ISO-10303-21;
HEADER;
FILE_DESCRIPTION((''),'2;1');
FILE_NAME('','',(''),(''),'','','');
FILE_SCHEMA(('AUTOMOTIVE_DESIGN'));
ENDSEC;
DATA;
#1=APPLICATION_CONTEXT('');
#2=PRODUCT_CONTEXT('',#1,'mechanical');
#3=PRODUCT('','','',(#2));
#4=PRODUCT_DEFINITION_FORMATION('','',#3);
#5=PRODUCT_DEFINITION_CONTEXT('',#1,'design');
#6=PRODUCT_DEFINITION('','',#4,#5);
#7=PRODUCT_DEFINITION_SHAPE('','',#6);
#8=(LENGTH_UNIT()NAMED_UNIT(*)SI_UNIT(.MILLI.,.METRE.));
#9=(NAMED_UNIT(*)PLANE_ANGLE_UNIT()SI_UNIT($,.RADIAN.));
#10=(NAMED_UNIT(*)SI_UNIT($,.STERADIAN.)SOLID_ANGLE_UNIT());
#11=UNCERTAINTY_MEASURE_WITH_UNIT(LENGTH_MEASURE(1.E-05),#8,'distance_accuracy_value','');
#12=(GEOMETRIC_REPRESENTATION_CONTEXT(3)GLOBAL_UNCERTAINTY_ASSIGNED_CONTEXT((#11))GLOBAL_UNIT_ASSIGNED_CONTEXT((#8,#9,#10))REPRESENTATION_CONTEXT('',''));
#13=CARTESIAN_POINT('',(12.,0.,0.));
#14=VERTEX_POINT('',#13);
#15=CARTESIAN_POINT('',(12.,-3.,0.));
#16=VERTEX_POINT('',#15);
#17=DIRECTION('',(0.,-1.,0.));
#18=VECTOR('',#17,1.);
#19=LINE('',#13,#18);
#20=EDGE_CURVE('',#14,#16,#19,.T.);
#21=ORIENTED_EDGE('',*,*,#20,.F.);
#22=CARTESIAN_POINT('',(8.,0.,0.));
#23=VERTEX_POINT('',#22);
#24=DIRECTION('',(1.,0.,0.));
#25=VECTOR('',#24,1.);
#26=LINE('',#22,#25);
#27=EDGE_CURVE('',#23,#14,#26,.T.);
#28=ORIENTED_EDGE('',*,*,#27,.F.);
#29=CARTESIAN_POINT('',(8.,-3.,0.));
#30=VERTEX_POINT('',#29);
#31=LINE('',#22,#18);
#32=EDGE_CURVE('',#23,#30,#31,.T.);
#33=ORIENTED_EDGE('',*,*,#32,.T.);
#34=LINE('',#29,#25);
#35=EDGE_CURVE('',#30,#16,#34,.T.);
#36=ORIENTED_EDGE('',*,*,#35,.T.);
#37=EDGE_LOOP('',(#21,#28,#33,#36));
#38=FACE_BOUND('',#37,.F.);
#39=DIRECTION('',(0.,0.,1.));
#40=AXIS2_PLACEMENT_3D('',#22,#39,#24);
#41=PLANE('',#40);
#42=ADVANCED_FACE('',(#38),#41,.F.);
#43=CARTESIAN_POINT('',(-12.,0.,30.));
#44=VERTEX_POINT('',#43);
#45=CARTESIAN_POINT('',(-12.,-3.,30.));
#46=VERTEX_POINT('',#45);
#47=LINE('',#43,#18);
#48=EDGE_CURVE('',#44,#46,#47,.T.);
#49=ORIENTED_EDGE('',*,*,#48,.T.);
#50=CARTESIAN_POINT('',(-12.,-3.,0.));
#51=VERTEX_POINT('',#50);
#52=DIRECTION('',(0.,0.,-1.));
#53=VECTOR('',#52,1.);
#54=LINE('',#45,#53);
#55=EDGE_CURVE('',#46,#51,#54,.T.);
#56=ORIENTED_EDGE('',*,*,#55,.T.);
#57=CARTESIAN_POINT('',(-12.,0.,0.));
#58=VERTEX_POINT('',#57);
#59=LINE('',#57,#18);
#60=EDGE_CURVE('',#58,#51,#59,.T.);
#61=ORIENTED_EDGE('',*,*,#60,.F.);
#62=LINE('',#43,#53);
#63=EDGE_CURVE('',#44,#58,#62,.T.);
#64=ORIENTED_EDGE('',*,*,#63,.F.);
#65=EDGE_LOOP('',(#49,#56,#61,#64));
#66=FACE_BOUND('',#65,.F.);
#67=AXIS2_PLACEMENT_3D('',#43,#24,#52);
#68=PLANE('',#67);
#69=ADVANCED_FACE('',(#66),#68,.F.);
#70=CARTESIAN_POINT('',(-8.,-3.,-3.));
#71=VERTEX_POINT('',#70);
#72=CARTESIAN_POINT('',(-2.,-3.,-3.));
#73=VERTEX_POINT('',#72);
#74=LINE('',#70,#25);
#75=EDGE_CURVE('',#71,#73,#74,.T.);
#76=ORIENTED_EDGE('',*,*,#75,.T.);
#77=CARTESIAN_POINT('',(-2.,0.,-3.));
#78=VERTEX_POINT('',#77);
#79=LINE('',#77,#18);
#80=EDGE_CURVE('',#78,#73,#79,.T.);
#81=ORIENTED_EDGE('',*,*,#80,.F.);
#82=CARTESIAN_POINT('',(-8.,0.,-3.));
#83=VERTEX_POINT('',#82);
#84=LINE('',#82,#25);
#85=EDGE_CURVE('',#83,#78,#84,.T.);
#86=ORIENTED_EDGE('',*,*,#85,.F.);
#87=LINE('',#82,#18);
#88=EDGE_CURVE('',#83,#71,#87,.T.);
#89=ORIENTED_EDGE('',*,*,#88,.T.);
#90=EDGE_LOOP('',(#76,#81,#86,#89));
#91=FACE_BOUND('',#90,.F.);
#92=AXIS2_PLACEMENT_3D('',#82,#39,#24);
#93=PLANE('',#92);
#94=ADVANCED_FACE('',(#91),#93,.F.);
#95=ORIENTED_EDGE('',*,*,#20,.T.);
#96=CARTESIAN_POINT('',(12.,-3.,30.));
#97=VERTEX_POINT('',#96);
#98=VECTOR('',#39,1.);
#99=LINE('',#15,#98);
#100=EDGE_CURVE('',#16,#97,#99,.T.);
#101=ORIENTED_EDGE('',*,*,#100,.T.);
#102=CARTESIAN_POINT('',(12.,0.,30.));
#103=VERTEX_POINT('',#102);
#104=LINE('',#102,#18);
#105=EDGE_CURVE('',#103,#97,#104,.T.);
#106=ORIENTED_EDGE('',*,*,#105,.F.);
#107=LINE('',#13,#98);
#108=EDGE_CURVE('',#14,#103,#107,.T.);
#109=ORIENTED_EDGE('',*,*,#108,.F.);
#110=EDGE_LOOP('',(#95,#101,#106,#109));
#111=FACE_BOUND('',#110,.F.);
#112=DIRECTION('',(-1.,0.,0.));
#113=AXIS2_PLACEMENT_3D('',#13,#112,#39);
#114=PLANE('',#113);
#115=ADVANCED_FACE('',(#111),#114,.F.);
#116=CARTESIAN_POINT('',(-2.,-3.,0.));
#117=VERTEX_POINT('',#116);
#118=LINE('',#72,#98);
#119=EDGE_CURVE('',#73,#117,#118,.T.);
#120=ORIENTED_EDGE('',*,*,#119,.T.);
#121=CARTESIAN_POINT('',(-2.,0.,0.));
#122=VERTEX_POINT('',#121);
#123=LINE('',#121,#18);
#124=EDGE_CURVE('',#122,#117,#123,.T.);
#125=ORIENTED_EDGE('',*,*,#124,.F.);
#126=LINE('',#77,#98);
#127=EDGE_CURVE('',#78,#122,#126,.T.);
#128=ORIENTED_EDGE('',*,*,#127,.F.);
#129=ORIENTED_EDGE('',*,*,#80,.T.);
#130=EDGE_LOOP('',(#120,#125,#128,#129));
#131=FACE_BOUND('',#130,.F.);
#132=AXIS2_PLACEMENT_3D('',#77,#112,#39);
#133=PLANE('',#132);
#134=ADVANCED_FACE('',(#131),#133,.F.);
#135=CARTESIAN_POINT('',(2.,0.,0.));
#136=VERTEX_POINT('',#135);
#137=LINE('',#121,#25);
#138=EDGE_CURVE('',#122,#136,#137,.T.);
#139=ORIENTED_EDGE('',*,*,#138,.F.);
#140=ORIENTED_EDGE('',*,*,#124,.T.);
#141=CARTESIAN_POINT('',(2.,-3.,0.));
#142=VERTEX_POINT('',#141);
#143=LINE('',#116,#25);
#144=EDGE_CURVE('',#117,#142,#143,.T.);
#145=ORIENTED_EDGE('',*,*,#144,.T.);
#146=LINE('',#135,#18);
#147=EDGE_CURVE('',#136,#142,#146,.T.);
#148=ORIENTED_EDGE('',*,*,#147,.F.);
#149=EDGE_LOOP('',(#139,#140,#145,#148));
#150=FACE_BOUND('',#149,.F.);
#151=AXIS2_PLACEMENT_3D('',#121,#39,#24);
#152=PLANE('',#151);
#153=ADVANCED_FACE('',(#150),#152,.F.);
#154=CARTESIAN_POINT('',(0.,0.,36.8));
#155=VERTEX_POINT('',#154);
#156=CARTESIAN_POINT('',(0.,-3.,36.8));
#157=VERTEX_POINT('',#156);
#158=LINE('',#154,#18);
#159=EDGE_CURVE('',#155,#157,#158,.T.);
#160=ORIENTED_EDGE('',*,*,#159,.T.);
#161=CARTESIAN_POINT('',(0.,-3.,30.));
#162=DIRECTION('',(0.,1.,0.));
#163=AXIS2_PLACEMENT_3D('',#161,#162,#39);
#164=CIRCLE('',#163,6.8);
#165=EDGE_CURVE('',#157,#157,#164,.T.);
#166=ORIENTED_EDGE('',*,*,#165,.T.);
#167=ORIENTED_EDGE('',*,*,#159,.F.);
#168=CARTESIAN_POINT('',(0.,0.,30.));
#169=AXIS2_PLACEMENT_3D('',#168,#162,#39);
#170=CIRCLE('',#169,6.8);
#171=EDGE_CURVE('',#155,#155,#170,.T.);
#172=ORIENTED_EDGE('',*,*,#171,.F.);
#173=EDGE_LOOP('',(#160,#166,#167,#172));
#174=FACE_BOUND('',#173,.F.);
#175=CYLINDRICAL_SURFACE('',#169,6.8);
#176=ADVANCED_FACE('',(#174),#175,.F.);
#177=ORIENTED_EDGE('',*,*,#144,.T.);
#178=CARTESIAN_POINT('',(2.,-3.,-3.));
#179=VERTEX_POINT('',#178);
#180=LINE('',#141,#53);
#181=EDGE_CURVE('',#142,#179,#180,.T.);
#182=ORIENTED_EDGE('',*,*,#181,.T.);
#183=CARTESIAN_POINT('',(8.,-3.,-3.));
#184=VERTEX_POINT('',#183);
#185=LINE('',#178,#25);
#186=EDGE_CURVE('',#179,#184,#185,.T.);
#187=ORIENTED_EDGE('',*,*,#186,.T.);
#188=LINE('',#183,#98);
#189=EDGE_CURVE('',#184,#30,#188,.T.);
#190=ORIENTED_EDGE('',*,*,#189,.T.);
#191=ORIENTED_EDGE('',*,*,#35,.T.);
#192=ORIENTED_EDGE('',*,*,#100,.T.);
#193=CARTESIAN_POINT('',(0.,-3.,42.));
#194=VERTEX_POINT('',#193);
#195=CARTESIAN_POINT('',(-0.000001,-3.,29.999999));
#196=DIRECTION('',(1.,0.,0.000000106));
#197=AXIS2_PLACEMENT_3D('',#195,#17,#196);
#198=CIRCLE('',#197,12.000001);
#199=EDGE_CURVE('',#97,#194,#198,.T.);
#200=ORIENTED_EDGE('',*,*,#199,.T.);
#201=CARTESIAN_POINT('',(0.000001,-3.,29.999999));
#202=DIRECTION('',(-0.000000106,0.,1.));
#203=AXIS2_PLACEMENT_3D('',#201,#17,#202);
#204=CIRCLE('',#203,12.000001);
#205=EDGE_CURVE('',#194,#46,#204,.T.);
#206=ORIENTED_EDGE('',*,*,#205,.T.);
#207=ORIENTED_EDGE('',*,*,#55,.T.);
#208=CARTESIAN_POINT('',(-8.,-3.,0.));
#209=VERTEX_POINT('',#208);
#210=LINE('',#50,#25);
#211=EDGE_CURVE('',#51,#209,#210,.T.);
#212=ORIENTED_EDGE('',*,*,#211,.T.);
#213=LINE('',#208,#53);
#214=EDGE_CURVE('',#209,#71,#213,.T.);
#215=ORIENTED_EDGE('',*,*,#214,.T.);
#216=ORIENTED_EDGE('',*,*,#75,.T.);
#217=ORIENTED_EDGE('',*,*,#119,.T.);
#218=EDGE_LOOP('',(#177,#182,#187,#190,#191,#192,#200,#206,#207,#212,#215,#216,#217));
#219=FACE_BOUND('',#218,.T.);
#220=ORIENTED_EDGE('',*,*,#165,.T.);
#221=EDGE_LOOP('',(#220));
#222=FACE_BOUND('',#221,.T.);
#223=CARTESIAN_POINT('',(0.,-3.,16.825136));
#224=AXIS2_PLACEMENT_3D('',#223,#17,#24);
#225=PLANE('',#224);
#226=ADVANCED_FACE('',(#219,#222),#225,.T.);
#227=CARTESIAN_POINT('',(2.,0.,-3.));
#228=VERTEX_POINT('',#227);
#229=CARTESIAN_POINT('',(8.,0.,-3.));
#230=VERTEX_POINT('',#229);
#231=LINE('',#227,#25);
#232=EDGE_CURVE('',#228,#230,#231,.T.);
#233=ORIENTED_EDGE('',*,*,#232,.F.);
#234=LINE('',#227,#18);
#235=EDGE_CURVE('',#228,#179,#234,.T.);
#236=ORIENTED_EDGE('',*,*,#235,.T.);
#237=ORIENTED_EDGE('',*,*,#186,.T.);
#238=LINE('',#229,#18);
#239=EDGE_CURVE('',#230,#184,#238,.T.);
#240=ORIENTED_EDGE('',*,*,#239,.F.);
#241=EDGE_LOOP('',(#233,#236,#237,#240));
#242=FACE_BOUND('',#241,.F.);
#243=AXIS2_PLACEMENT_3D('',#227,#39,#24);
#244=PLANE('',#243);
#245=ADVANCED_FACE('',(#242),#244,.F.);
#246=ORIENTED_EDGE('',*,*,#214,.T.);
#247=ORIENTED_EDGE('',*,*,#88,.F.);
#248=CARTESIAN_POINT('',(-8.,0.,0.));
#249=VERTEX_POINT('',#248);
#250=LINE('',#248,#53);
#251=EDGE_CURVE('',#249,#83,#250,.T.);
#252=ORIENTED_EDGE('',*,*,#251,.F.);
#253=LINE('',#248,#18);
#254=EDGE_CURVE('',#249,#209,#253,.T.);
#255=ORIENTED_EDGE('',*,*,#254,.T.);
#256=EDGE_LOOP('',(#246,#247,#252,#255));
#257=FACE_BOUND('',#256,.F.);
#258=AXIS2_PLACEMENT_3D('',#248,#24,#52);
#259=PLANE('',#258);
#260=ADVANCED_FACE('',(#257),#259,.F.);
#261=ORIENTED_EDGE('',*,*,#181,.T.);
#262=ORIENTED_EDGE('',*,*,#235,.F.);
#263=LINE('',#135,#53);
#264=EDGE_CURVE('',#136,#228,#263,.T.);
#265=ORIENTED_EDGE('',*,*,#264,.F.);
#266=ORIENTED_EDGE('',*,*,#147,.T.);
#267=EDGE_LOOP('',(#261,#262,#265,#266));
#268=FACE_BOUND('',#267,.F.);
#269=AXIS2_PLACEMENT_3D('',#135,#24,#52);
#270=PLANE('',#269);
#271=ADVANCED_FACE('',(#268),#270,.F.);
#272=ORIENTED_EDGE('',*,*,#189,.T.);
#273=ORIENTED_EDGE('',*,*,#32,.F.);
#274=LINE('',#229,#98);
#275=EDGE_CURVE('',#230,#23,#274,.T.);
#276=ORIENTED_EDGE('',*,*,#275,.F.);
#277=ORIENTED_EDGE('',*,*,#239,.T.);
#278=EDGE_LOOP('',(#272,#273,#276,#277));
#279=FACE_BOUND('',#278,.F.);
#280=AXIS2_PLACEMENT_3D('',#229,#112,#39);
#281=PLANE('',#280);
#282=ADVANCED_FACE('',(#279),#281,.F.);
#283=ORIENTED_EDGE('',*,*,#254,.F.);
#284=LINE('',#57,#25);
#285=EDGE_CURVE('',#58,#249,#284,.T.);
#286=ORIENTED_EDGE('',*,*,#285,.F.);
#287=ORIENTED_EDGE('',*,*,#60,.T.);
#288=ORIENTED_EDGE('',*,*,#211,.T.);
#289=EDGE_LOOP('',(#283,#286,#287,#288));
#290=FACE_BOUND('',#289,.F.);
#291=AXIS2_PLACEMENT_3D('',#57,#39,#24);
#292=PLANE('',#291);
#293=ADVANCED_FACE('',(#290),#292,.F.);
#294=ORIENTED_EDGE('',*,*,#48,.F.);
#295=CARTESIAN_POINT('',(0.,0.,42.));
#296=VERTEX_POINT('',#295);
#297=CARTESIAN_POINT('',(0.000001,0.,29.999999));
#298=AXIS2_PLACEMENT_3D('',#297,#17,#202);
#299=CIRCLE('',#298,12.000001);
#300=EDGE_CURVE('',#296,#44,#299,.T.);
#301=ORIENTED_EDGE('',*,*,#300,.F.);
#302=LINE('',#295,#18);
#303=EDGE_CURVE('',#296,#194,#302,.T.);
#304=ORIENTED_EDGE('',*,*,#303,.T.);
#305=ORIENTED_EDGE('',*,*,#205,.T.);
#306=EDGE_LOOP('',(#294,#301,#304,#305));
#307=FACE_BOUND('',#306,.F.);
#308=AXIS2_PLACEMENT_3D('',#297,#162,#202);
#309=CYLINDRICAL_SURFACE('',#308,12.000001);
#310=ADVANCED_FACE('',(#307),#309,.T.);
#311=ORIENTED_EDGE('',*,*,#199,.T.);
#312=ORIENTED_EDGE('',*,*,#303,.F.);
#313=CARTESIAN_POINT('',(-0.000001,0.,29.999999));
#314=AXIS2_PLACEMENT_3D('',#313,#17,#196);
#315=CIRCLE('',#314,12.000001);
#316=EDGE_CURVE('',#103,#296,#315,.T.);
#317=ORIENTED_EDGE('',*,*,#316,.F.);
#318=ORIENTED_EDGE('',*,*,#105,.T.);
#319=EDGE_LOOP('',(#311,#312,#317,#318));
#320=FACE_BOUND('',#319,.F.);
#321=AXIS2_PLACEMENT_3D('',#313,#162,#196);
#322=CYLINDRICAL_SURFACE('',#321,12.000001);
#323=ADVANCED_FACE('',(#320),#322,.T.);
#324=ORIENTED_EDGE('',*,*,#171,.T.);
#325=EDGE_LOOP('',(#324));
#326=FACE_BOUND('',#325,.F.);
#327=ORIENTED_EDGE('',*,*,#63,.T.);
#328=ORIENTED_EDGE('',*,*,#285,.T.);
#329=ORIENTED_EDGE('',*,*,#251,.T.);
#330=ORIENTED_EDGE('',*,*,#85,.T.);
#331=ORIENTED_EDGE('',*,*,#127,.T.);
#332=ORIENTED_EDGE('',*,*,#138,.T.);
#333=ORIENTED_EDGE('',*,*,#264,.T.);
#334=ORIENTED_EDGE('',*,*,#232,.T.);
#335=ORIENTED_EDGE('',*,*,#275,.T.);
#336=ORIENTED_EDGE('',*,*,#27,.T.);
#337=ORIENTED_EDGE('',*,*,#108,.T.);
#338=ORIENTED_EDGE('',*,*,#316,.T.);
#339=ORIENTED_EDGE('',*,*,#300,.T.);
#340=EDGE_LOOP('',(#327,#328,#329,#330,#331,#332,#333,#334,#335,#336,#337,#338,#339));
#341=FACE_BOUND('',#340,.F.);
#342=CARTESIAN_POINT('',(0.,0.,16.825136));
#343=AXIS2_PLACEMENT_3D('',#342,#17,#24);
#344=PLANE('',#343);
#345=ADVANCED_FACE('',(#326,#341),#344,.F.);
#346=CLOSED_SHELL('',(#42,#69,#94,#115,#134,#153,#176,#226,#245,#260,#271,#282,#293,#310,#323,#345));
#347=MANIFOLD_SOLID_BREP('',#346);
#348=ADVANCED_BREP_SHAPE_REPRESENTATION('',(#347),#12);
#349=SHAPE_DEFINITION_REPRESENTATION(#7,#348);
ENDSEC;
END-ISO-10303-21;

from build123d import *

# Parameters (mm, degrees)
F1_DEPTH = 3


with BuildPart() as f1:
    # F0 (on Front) → F1 (new body)
    with BuildSketch(Plane.XZ):
        with BuildLine():
            Line((-2, 0), (0, 0))
            Line((0, 0), (2, 0))
            Line((2, 0), (2, -3))
            Line((2, -3), (8, -3))
            Line((8, -3), (8, 0))
            Line((8, 0), (12, 0))
            Line((12, 0), (12, 30))
            ThreePointArc((12, 30), (8.485281, 38.485281), (0, 42))
            ThreePointArc((0, 42), (-8.485281, 38.485281), (-12, 30))
            Line((-12, 30), (-12, 0))
            Line((-12, 0), (-8, 0))
            Line((-8, 0), (-8, -3))
            Line((-8, -3), (-2, -3))
            Line((-2, -3), (-2, 0))
        make_face()
        with BuildLine():
            ThreePointArc((0, 23.2), (-6.8, 30), (0, 36.8))
            ThreePointArc((0, 36.8), (6.8, 30), (0, 23.2))
        make_face(mode=Mode.SUBTRACT)
    extrude(amount=F1_DEPTH)


solid = f1.part
